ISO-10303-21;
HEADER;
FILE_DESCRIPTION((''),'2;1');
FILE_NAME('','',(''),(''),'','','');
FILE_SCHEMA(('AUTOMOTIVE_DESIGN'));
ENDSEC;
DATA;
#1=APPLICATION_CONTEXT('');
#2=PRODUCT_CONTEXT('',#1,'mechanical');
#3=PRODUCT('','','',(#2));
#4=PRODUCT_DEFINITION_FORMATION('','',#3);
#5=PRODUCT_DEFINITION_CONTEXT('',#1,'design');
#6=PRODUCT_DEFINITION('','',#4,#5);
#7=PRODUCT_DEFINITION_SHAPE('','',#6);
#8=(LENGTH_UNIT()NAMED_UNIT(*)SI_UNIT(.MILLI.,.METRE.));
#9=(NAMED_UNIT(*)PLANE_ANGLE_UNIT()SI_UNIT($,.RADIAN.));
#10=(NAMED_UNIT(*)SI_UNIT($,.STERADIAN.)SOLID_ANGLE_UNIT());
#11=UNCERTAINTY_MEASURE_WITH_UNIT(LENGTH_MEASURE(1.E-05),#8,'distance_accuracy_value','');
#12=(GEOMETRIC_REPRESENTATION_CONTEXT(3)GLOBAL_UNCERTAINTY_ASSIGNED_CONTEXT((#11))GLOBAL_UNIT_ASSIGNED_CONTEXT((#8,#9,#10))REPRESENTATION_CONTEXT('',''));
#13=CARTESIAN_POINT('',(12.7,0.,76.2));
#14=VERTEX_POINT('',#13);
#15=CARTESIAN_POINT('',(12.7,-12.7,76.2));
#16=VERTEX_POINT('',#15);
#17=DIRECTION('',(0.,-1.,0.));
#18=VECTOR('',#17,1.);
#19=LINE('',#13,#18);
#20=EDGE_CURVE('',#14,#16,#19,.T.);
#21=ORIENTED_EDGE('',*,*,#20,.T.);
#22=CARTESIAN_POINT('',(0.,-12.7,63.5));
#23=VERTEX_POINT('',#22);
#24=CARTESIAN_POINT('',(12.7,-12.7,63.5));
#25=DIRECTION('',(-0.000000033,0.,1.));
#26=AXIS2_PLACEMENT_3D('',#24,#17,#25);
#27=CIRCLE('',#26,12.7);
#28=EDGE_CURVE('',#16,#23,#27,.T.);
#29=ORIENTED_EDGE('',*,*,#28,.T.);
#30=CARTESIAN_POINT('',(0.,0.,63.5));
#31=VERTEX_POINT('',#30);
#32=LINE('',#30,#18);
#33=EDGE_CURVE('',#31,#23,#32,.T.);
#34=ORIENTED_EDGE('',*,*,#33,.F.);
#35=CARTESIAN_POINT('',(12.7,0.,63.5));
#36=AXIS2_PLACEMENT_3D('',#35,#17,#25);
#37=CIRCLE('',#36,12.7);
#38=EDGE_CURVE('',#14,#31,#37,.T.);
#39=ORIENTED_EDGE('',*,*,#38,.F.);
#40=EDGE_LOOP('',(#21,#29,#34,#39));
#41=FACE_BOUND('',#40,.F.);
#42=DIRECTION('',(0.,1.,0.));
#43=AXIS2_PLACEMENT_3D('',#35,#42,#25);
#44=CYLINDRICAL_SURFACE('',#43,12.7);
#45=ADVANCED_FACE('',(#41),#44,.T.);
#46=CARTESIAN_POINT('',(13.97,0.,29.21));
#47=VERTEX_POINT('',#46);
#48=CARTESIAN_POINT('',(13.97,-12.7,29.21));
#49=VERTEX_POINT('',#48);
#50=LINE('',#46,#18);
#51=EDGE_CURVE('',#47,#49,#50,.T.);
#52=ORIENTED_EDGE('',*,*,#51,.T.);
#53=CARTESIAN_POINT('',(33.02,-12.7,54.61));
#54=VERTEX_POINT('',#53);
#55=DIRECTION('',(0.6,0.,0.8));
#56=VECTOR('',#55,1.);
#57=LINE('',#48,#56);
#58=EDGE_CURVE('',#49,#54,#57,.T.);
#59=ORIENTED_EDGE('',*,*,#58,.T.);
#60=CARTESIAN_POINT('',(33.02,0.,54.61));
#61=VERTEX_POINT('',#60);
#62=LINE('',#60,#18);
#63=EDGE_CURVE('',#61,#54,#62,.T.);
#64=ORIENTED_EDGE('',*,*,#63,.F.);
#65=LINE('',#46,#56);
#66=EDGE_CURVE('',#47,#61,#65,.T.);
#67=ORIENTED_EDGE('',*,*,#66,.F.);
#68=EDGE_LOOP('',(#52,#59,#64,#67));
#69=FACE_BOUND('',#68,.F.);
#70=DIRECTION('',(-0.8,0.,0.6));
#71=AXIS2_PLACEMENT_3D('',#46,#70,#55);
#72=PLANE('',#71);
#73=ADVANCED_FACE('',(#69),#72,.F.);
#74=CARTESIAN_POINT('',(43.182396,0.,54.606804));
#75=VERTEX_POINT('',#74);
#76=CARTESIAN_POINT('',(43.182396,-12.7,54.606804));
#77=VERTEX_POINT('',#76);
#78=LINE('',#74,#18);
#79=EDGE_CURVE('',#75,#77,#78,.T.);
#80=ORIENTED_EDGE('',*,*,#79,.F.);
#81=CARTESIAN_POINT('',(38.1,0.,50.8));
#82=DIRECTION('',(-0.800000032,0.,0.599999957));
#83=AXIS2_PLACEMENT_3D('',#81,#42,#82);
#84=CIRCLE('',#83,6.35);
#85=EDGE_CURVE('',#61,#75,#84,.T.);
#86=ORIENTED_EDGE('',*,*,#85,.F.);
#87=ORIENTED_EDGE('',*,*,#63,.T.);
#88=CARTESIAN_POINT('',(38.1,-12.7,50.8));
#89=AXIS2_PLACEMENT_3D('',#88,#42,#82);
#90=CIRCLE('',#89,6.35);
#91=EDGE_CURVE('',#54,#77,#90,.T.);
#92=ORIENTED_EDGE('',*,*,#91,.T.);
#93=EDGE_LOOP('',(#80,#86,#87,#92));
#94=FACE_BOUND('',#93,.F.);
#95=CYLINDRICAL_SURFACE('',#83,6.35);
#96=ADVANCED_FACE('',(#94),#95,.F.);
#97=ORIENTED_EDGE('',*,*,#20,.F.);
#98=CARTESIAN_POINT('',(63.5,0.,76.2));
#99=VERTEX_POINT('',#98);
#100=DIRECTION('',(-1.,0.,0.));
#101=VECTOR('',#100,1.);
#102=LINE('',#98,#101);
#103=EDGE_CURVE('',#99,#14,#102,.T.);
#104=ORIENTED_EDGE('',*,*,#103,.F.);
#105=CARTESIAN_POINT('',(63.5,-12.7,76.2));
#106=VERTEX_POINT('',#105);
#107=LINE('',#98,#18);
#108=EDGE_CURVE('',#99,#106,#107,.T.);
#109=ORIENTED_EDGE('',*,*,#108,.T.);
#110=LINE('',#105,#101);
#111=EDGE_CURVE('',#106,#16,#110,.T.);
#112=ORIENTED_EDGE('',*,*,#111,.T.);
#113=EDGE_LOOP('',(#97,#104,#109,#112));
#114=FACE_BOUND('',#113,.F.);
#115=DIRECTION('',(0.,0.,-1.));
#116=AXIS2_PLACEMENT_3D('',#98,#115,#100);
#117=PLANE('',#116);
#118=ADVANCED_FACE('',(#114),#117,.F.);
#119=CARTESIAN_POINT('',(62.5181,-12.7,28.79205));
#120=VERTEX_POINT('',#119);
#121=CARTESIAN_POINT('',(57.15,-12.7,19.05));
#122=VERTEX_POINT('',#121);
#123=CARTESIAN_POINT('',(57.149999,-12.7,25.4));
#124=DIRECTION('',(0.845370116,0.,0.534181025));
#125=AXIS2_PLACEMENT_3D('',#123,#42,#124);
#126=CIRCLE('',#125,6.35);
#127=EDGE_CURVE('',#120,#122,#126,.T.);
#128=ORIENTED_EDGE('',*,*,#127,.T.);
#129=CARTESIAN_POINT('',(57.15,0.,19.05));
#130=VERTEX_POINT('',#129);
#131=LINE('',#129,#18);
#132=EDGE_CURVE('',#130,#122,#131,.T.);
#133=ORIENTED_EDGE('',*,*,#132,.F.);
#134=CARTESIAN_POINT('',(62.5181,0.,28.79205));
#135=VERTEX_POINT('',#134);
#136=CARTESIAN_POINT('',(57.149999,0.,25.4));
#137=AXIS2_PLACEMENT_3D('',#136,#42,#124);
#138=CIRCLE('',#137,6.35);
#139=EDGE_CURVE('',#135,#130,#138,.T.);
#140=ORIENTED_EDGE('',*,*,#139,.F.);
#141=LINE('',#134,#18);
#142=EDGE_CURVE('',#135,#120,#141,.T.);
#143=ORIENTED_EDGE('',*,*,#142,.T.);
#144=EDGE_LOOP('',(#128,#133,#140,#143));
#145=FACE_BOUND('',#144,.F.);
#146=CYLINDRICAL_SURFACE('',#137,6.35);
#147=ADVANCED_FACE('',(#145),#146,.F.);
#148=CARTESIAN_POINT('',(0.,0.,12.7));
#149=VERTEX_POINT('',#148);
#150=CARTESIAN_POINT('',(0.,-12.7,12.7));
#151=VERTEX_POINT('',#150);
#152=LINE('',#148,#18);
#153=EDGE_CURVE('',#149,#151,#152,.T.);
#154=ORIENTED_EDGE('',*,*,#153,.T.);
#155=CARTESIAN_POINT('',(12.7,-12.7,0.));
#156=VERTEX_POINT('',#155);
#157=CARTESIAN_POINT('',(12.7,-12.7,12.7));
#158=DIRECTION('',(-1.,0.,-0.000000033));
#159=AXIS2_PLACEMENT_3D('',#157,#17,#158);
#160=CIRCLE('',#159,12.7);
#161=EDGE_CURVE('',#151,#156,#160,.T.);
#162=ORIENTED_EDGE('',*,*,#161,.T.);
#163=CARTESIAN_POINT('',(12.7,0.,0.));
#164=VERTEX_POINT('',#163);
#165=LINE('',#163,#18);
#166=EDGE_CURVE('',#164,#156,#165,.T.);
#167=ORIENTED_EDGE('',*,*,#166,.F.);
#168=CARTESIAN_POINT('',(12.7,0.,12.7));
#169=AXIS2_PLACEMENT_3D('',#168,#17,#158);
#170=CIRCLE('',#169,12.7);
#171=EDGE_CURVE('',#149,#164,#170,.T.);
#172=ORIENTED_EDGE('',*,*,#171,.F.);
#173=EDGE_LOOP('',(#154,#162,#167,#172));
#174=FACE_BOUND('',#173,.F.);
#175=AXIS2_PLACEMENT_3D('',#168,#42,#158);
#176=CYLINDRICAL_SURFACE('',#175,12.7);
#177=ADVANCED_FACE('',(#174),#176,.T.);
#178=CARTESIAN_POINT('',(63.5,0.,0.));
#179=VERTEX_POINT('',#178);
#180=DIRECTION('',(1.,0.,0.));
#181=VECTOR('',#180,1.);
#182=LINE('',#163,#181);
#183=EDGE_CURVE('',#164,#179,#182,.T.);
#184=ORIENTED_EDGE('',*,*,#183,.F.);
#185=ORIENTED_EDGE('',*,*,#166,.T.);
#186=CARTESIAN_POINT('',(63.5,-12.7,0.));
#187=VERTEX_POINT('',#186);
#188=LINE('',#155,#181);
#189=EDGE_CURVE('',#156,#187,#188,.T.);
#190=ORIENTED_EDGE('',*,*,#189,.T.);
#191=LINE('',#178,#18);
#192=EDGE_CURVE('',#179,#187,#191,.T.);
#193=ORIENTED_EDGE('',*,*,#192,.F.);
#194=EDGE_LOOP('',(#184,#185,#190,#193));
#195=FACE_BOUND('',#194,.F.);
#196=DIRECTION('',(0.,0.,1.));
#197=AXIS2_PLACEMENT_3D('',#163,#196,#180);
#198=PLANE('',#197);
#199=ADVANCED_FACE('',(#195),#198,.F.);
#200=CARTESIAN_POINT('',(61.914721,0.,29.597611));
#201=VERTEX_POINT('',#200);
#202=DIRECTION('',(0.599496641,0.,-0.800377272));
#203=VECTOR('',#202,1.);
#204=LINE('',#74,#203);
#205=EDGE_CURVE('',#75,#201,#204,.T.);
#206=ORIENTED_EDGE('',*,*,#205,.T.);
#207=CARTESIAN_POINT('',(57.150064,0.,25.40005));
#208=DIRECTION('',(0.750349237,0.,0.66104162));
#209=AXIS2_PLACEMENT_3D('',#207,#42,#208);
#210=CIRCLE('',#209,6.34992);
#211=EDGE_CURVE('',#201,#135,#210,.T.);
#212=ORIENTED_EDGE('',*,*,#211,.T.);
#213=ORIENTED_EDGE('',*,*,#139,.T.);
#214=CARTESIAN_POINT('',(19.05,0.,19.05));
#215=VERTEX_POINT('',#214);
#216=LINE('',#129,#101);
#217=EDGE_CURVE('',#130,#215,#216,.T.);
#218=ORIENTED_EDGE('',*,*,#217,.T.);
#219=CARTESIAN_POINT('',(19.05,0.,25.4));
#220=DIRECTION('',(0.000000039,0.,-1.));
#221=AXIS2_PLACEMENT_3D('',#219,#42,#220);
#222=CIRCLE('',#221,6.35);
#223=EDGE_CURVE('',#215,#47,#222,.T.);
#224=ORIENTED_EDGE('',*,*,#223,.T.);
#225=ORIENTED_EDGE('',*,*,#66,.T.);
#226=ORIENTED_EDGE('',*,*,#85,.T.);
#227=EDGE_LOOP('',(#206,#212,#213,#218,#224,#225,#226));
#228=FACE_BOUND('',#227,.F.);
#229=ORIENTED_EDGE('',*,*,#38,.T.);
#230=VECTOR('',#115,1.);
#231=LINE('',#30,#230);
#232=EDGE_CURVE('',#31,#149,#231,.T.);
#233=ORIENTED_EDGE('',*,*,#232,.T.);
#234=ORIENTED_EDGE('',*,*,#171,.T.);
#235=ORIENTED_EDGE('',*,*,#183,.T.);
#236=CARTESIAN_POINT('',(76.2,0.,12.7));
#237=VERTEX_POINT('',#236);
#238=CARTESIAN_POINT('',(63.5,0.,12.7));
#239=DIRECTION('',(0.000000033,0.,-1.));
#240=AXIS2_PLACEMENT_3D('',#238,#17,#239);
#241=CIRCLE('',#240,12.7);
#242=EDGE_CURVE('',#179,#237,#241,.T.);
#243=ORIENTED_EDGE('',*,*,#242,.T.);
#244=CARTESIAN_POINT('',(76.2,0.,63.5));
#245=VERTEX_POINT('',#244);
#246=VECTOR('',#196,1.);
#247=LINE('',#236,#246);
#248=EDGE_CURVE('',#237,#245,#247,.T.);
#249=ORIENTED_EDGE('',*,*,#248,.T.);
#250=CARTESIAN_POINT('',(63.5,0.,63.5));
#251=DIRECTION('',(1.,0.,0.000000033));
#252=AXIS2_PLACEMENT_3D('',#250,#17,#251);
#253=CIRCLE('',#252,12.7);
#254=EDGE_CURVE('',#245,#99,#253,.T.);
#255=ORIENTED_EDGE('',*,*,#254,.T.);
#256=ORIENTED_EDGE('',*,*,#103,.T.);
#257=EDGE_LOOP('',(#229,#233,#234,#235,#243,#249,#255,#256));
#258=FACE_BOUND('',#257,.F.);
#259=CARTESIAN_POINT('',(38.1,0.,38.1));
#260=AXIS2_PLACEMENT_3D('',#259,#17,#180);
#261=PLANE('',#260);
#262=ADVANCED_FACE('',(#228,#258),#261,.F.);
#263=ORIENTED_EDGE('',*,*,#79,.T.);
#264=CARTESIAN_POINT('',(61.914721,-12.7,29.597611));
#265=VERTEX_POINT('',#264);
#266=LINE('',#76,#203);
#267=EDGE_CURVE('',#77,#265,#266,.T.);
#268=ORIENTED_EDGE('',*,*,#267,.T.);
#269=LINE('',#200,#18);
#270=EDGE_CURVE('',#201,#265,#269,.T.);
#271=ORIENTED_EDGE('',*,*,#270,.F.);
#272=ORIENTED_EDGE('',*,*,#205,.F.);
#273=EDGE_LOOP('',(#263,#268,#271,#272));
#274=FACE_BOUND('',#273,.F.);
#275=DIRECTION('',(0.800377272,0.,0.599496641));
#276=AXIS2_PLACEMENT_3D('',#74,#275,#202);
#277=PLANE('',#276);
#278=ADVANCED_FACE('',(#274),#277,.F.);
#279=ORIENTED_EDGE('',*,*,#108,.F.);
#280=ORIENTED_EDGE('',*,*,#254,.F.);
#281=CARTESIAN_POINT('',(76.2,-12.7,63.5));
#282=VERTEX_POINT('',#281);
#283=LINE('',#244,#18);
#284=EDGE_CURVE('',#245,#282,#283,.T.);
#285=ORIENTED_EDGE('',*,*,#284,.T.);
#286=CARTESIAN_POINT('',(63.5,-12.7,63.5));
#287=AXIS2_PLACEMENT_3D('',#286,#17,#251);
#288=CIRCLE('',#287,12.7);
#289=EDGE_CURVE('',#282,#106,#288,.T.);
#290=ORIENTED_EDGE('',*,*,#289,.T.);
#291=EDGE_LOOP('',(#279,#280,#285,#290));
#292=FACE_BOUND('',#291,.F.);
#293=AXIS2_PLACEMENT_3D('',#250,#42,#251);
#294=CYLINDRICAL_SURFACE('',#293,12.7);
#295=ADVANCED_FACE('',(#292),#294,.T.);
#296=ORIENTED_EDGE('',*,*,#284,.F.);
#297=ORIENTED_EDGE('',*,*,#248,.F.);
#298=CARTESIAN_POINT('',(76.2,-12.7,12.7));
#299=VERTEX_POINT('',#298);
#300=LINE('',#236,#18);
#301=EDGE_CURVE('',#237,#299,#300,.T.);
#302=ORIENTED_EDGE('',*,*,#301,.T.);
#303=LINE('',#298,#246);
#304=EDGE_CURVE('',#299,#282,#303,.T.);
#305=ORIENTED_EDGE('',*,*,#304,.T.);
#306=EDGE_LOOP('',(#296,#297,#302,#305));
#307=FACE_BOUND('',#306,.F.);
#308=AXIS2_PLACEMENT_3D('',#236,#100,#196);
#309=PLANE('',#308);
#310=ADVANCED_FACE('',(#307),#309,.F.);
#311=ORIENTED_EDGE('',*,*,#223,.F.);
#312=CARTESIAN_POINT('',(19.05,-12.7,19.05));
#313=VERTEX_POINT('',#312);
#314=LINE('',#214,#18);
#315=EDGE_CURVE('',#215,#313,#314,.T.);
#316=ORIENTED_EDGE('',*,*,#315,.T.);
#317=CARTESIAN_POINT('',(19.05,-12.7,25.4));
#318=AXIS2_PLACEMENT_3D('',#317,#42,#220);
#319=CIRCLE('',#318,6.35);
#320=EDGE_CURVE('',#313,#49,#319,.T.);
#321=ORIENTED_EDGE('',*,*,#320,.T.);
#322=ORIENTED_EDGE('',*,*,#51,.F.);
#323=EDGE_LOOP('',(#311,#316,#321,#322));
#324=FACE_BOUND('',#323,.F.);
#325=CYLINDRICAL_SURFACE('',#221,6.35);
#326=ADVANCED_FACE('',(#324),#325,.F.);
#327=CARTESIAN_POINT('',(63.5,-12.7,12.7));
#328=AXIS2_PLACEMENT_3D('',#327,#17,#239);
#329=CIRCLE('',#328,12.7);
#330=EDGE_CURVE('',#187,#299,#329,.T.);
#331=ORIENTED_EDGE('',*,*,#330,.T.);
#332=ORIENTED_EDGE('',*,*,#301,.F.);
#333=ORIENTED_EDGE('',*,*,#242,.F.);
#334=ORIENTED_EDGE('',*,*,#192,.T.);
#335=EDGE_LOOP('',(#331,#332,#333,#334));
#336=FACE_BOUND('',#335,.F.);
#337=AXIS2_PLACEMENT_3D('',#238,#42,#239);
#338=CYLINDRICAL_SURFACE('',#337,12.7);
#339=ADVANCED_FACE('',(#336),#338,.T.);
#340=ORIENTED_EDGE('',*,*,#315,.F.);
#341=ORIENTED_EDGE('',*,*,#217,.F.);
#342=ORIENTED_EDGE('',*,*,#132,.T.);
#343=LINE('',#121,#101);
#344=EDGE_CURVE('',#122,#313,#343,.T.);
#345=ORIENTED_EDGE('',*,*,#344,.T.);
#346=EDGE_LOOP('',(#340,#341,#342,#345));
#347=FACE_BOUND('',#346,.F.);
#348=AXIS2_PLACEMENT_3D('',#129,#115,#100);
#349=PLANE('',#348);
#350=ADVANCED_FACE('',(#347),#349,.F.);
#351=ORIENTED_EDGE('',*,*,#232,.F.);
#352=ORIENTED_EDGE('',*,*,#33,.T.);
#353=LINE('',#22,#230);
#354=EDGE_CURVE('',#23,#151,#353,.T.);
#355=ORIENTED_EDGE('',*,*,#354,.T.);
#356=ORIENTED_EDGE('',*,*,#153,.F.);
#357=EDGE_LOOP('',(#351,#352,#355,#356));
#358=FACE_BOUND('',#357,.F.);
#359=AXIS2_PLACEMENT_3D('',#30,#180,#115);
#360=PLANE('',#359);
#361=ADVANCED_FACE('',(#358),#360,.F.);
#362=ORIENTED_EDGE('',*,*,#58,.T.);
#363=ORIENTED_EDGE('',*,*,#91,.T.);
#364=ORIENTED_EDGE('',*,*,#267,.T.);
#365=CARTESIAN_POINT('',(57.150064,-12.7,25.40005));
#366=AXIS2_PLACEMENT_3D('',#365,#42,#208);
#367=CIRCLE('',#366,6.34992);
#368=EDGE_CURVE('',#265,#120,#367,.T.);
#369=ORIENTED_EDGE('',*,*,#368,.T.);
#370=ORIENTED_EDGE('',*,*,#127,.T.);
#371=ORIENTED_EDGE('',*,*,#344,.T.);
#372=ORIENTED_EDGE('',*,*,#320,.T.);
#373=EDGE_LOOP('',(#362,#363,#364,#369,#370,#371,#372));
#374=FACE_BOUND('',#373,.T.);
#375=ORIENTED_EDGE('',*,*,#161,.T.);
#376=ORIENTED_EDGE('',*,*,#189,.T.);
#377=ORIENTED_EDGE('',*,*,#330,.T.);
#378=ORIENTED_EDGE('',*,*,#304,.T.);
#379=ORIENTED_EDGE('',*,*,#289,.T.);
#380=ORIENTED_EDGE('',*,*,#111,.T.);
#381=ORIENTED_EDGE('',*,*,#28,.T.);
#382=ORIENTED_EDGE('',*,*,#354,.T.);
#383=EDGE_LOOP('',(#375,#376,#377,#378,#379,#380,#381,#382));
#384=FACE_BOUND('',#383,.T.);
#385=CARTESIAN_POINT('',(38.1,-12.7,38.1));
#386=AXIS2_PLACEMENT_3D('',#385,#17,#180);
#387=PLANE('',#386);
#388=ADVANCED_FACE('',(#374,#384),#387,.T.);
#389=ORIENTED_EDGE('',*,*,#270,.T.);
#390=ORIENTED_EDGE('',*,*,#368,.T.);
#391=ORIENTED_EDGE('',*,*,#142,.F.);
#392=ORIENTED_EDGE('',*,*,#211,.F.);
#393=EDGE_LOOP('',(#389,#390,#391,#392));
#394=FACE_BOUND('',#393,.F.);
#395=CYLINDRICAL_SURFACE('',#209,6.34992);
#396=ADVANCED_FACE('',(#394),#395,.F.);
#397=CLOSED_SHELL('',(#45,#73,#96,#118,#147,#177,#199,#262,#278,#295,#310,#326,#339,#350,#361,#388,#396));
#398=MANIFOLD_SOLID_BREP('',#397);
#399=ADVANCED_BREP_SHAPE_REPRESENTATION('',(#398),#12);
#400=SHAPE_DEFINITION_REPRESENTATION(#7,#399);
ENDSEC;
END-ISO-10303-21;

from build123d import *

# Parameters (mm, degrees)
F1_DEPTH = 12.7


with BuildPart() as f1:
    # F0 (on Front) → F1 (new body)
    with BuildSketch(Plane.XZ):
        with BuildLine():
            ThreePointArc((0, 12.7), (3.719744, 3.719744), (12.7, 0))
            Line((12.7, 0), (63.5, 0))
            ThreePointArc((63.5, 0), (72.480256, 3.719744), (76.2, 12.7))
            Line((76.2, 12.7), (76.2, 63.5))
            ThreePointArc((76.2, 63.5), (72.480256, 72.480256), (63.5, 76.2))
            Line((63.5, 76.2), (12.7, 76.2))
            ThreePointArc((12.7, 76.2), (3.719744, 72.480256), (0, 63.5))
            Line((0, 63.5), (0, 12.7))
        make_face()
        with BuildLine():
            ThreePointArc((19.05, 19.05), (13.370387, 22.560194), (13.97, 29.21))
            Line((13.97, 29.21), (33.02, 54.61))
            ThreePointArc((33.02, 54.61), (38.101997, 57.15), (43.182396, 54.606804))
            Line((43.182396, 54.606804), (61.914721, 29.597611))
            ThreePointArc((61.914721, 29.597611), (62.232396, 29.206804), (62.5181, 28.79205))
            ThreePointArc((62.5181, 28.79205), (62.711565, 22.335446), (57.15, 19.05))
            Line((57.15, 19.05), (19.05, 19.05))
        make_face(mode=Mode.SUBTRACT)
    extrude(amount=F1_DEPTH)


solid = f1.part
